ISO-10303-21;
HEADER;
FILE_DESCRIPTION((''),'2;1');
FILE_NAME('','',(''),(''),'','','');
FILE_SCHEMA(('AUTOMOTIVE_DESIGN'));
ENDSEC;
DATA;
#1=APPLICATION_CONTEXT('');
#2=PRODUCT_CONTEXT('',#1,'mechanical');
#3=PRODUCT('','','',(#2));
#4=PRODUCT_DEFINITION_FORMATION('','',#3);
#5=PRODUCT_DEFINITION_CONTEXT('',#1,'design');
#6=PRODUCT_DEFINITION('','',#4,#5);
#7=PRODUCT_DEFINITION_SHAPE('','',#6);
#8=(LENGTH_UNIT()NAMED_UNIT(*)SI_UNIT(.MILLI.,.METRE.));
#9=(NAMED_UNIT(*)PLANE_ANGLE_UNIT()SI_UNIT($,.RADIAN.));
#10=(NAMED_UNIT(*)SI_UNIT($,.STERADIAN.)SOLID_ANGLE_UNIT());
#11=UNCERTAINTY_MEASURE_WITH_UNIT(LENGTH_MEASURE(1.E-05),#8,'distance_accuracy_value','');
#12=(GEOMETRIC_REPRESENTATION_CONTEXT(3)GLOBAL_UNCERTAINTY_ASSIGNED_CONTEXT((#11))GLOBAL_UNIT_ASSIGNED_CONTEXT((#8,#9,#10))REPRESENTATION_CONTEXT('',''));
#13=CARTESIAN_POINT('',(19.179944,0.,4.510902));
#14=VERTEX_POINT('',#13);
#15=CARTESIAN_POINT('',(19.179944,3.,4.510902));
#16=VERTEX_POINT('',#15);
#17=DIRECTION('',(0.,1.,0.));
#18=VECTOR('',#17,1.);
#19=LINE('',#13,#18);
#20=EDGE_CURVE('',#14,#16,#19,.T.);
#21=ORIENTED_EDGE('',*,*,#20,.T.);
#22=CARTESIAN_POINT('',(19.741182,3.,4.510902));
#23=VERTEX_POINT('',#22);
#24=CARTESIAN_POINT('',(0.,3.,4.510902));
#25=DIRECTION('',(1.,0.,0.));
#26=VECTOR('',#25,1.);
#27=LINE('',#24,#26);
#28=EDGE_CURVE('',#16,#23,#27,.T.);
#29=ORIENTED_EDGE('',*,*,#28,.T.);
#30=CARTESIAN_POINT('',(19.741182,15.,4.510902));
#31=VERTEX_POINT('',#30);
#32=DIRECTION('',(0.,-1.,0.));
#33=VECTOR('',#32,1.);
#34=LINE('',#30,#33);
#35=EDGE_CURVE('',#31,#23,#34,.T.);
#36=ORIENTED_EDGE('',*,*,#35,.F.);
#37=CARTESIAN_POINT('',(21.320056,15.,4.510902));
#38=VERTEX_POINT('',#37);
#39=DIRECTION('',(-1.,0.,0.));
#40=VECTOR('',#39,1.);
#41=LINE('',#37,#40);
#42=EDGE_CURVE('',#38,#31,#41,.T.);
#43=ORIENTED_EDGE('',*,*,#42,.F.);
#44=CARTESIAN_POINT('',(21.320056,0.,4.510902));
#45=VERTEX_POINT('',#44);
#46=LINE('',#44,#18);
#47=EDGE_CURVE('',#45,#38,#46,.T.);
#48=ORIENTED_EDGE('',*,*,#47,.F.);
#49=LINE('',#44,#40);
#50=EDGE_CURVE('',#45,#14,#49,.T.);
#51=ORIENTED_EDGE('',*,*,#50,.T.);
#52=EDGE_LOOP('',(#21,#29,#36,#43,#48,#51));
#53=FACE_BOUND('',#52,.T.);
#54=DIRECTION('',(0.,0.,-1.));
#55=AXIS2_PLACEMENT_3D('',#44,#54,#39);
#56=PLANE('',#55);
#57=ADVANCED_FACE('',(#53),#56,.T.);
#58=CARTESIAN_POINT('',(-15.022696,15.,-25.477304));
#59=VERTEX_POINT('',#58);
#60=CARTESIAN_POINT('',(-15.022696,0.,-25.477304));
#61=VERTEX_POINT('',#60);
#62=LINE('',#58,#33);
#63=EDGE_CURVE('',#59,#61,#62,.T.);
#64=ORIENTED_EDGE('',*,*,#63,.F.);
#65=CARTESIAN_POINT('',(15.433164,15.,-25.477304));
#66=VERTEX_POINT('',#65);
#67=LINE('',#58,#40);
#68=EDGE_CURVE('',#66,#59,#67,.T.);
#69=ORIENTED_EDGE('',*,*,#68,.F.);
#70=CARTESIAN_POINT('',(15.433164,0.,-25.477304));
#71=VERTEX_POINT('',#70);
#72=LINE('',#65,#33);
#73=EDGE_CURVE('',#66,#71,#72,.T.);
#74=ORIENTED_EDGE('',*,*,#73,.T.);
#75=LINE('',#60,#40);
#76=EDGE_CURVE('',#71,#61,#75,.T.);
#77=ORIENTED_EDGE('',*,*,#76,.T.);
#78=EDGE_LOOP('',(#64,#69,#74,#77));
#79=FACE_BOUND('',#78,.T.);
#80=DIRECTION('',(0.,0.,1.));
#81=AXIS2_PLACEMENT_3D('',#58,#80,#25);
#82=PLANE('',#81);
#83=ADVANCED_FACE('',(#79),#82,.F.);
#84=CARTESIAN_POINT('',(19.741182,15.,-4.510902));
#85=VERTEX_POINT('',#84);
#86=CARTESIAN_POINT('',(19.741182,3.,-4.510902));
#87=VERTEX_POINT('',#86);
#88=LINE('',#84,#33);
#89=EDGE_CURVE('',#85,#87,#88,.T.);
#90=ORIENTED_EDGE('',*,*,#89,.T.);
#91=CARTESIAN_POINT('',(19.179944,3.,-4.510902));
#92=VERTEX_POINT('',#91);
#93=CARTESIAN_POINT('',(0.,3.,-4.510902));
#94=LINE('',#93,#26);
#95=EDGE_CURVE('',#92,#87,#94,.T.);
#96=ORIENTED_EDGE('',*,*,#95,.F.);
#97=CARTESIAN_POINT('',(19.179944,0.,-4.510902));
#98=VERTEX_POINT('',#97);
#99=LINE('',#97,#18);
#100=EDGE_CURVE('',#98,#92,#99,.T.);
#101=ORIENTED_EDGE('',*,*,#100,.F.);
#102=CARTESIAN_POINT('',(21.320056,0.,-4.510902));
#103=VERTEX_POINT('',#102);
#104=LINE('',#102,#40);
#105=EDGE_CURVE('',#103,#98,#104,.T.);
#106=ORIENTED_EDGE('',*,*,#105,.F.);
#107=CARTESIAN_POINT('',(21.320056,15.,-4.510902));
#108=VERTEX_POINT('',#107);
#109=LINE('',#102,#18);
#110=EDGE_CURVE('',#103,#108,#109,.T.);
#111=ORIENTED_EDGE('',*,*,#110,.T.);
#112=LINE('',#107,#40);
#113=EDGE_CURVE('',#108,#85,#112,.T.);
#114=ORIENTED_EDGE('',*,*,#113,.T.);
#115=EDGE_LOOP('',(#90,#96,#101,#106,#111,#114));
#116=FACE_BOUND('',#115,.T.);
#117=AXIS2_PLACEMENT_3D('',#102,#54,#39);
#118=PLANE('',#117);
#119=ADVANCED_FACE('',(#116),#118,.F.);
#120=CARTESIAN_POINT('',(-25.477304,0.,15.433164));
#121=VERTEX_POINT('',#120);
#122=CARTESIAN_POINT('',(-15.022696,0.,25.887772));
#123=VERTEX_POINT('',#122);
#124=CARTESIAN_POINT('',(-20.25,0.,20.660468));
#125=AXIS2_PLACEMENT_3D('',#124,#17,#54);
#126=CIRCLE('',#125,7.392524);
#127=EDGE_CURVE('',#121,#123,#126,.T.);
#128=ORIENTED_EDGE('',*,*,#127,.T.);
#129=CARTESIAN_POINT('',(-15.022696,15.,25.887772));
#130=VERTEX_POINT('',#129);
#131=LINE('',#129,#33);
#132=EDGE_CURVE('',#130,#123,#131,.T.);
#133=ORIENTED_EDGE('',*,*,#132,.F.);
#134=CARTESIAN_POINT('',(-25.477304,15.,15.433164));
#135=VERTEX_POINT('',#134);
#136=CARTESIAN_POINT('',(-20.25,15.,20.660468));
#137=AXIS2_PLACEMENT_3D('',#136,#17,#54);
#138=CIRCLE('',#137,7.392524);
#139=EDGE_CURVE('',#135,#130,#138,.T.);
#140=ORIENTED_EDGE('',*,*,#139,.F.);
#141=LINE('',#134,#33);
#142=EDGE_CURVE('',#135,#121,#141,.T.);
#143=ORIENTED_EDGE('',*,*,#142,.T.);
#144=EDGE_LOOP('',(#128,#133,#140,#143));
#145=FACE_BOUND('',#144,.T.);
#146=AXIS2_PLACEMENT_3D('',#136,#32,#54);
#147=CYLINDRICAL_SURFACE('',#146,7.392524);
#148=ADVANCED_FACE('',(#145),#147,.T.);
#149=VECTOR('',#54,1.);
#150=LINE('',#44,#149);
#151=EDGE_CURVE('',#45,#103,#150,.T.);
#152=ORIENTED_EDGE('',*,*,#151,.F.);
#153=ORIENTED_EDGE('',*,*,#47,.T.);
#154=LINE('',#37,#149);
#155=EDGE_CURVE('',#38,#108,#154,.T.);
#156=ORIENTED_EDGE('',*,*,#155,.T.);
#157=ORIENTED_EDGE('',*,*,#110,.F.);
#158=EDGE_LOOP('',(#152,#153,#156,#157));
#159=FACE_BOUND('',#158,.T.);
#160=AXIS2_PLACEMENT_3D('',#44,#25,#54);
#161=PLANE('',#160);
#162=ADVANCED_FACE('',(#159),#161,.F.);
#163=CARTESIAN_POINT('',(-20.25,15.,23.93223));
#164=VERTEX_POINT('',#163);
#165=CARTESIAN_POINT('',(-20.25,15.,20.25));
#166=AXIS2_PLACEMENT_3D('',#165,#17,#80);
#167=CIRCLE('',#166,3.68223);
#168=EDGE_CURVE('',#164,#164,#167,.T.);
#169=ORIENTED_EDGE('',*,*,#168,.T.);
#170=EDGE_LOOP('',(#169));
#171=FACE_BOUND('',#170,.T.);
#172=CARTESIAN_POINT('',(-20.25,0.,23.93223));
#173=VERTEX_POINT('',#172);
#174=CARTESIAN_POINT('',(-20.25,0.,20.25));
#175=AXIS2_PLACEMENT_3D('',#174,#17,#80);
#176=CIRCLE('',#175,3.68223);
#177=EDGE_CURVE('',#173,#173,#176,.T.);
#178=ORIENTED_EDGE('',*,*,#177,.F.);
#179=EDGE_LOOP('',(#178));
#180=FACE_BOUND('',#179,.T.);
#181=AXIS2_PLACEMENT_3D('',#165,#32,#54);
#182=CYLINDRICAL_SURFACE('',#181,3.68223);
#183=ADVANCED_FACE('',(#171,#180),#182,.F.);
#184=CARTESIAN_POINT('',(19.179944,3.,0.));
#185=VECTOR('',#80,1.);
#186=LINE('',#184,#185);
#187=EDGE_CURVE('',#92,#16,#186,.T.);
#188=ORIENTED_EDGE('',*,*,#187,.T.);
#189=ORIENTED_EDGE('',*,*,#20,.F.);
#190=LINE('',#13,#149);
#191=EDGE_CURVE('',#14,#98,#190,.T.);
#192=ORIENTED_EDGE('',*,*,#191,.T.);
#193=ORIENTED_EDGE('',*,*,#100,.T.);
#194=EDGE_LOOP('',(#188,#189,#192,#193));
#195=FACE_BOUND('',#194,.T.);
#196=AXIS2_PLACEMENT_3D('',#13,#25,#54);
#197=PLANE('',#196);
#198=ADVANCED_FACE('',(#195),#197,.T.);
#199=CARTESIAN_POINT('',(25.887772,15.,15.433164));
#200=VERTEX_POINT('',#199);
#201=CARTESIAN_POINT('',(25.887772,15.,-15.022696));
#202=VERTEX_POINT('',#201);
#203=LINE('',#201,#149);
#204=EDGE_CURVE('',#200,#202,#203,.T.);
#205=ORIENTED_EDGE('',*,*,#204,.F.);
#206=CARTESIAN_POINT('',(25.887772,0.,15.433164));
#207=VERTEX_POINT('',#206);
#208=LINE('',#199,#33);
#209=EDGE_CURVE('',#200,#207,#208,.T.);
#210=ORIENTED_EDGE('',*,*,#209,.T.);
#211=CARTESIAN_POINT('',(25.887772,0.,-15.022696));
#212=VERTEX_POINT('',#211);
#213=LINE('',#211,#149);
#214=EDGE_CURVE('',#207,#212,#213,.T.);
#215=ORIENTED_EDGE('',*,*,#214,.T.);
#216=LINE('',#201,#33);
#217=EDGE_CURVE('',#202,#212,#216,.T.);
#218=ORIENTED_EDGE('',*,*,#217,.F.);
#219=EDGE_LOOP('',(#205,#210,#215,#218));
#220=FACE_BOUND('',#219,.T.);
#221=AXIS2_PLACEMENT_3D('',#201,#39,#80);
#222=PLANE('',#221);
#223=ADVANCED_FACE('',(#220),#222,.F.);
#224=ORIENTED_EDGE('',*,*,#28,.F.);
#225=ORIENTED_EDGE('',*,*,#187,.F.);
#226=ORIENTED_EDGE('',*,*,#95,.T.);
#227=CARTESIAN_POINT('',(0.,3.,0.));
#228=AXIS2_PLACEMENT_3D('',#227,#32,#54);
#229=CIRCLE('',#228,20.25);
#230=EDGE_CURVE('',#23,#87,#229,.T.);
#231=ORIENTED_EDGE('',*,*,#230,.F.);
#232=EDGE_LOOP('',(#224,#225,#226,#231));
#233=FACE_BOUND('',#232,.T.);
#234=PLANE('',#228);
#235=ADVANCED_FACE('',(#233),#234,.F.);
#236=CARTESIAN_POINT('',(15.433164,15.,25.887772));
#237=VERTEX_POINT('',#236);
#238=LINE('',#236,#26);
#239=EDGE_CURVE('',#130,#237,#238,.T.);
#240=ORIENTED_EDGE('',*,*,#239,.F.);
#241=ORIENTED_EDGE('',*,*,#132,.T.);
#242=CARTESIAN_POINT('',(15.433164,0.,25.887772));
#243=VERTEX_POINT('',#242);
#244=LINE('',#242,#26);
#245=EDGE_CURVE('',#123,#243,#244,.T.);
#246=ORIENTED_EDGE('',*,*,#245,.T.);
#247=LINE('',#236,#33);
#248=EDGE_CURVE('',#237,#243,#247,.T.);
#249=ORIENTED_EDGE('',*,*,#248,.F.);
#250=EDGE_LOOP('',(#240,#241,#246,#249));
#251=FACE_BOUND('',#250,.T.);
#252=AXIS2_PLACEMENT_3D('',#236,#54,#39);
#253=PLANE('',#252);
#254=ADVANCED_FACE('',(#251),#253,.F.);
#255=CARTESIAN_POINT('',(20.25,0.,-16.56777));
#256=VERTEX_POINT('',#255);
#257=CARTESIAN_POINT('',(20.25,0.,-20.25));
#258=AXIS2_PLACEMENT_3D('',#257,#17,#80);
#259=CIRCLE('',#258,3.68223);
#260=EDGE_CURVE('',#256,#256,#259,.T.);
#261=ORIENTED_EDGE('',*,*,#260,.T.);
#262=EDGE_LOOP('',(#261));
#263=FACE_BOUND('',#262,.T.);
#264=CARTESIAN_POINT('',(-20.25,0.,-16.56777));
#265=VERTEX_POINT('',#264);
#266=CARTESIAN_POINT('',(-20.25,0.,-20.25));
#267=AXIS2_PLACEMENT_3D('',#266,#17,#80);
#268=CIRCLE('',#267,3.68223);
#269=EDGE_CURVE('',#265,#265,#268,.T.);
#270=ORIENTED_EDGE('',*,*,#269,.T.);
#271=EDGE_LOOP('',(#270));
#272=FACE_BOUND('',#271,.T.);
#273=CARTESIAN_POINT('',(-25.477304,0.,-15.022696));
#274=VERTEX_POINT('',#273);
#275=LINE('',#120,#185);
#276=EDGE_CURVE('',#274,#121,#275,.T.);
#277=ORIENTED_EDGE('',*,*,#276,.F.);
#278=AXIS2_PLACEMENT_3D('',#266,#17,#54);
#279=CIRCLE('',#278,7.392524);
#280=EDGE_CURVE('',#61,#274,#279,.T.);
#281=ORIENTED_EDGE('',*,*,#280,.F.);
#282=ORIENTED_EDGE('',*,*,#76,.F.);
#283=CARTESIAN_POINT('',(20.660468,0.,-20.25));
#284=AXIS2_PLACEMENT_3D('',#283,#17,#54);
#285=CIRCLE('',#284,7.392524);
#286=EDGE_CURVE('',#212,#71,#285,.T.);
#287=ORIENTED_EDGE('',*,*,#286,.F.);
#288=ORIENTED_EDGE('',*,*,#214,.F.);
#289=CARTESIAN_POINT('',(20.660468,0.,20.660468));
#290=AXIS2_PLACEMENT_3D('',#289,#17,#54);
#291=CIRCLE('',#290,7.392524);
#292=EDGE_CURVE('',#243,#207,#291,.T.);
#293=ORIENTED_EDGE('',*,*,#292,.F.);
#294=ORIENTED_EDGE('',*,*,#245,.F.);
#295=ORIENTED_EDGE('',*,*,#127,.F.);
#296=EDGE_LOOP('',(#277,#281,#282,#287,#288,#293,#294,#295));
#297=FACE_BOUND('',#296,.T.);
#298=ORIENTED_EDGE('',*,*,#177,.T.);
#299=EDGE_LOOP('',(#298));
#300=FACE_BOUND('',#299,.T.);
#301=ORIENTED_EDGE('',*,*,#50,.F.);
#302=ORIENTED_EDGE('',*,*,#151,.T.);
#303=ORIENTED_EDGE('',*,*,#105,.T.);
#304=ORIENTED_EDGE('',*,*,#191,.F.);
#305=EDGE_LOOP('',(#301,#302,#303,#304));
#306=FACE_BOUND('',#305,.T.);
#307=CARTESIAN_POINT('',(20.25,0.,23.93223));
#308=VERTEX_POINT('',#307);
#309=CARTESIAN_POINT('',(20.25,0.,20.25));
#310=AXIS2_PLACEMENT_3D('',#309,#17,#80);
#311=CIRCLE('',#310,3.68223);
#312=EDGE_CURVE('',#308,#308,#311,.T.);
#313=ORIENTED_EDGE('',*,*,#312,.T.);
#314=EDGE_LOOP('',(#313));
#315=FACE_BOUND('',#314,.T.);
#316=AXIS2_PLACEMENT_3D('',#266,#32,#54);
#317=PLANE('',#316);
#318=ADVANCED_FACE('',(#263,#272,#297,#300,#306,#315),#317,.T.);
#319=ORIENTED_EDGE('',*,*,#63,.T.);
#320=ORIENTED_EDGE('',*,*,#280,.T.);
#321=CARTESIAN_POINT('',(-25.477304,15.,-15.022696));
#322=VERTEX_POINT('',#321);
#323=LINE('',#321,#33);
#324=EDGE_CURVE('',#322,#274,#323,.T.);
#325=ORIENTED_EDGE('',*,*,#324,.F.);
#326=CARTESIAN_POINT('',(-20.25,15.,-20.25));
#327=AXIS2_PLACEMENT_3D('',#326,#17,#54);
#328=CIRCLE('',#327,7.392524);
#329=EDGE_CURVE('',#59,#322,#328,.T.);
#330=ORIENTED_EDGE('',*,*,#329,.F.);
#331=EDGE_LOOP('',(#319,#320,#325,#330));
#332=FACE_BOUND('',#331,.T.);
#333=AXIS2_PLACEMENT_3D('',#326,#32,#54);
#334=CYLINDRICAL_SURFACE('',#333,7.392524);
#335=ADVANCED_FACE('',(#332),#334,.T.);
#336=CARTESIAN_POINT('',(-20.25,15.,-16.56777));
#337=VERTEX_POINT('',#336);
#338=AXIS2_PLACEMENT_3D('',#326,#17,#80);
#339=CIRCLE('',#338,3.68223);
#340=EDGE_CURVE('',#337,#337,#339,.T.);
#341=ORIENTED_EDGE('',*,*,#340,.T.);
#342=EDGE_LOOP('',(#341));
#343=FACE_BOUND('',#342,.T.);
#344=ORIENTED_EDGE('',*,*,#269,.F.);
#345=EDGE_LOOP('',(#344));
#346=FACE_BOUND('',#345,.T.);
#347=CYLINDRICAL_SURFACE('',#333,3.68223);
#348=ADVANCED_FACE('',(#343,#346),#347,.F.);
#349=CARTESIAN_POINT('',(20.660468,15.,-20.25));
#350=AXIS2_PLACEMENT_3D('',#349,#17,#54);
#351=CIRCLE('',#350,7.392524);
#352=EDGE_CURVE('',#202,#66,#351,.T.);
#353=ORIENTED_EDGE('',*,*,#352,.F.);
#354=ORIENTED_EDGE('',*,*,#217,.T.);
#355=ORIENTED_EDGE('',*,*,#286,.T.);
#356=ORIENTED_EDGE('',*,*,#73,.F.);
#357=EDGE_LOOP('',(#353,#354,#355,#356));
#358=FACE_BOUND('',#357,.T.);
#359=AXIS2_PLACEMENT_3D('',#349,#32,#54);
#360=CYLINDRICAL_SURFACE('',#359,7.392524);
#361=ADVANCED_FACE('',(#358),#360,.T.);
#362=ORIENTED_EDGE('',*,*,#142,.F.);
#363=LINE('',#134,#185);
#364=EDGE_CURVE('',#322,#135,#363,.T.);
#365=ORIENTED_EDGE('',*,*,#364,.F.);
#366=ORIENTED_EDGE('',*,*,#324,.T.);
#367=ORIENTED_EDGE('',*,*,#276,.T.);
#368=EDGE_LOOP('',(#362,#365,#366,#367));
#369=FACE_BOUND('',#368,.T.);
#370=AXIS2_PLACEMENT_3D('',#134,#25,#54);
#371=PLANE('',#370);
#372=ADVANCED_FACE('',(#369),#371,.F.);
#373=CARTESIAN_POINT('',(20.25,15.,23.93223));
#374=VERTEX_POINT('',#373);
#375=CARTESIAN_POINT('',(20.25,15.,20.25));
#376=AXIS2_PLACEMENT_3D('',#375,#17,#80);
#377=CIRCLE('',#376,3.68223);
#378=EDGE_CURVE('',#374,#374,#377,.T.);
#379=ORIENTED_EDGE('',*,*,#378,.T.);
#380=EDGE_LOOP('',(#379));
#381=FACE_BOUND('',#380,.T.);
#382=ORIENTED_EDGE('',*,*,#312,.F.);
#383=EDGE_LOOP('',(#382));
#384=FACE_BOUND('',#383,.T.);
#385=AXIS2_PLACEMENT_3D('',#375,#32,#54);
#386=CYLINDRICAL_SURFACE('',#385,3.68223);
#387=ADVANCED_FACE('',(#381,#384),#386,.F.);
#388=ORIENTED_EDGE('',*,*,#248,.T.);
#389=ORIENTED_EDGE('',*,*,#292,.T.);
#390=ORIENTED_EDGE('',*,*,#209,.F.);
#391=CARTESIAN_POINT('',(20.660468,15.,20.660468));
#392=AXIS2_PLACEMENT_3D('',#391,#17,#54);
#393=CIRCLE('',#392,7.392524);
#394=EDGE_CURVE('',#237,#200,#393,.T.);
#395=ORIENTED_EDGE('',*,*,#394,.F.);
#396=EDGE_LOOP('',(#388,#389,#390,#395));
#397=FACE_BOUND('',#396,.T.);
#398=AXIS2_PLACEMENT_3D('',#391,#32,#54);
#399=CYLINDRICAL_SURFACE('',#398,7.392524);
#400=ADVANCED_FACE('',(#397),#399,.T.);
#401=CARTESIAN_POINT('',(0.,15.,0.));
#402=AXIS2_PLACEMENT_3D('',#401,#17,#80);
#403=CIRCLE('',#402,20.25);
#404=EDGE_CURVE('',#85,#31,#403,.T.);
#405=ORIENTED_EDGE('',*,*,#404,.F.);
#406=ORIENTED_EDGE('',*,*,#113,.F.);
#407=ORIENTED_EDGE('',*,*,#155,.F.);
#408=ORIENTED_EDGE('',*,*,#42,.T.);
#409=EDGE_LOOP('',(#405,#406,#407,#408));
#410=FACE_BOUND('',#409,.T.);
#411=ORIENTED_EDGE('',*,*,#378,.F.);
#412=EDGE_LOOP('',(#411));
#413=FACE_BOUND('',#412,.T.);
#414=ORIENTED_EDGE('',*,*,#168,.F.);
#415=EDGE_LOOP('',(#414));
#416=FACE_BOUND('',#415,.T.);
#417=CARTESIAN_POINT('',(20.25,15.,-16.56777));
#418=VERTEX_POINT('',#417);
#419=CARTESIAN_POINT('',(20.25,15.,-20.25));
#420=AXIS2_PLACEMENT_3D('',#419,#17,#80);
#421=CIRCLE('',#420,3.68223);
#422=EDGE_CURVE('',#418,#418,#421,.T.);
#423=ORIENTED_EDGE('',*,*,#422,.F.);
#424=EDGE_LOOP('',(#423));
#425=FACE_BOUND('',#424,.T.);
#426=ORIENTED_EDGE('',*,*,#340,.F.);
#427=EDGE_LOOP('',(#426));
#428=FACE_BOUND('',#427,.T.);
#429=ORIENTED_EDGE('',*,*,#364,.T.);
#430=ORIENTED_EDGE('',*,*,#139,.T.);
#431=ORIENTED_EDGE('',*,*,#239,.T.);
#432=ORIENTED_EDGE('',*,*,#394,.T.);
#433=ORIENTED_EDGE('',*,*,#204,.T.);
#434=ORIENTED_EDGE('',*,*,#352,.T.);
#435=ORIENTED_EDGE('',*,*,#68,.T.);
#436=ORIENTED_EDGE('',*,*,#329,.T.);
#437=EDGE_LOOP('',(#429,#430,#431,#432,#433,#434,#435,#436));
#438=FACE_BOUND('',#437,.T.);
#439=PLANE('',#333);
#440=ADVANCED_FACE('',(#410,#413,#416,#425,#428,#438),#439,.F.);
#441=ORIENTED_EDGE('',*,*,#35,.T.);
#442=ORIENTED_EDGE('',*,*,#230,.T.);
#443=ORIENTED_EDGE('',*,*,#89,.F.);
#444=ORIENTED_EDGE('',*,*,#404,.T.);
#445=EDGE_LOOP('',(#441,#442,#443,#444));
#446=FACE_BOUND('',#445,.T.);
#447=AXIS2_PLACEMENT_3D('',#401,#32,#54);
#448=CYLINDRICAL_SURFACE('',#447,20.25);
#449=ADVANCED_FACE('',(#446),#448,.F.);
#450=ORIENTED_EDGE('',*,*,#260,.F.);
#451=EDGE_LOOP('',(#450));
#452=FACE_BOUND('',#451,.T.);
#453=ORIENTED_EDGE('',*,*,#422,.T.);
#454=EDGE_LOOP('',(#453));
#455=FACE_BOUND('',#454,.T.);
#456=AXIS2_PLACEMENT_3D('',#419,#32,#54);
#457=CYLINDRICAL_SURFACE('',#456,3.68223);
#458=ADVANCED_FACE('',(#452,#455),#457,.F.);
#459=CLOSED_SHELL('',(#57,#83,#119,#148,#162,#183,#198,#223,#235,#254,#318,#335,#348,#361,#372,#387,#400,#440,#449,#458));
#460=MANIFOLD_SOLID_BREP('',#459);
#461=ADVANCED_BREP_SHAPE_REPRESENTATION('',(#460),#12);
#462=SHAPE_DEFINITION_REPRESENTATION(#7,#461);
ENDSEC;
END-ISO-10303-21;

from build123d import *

# Parameters (mm, degrees)
SKETCH1_R               = 20.25
SKETCH1_R_2             = 3.682229715
BOSS_EXTRUDE1_DEPTH     = 15
SKETCH2_R               = 20.25
BOSS_EXTRUDE2_DEPTH     = 3
SKETCH3_W               = 2.140111698
SKETCH3_H               = 9.021804968
CUT_EXTRUDE1_DEPTH      = 13
CUT_EXTRUDE1_DEPTH_BACK = 4


with BuildPart() as part:
    # Sketch1 → Boss-Extrude1 (new body)
    with BuildSketch(Plane(origin=(0, 0, 0), x_dir=(1, 0, 0), z_dir=(0, 1, 0))):
        with BuildLine():
            Line((-25.477303851, -15.433164228), (-25.477303851, 15.022696149))
            ThreePointArc((-25.477303851, 15.022696149), (-25.477303851, 25.477303851), (-15.022696149, 25.477303851))
            Line((-15.022696149, 25.477303851), (15.433164228, 25.477303851))
            ThreePointArc((15.433164228, 25.477303851), (25.887771929, 25.477303851), (25.887771929, 15.022696149))
            Line((25.887771929, 15.022696149), (25.887771929, -15.433164228))
            ThreePointArc((25.887771929, -15.433164228), (25.887771929, -25.887771929), (15.433164228, -25.887771929))
            Line((15.433164228, -25.887771929), (-15.022696149, -25.887771929))
            ThreePointArc((-15.022696149, -25.887771929), (-25.477303851, -25.887771929), (-25.477303851, -15.433164228))
        make_face()
        Circle(SKETCH1_R, mode=Mode.SUBTRACT)
        with Locations((-20.25, 20.25)):
            Circle(SKETCH1_R_2, mode=Mode.SUBTRACT)
        with Locations((20.25, 20.25)):
            Circle(SKETCH1_R_2, mode=Mode.SUBTRACT)
        with Locations((20.25, -20.25)):
            Circle(SKETCH1_R_2, mode=Mode.SUBTRACT)
        with Locations((-20.25, -20.25)):
            Circle(SKETCH1_R_2, mode=Mode.SUBTRACT)
    extrude(amount=BOSS_EXTRUDE1_DEPTH)

    # Sketch2 → Boss-Extrude2 (add)
    with BuildSketch(Plane.XZ):
        Circle(SKETCH2_R)
    extrude(amount=-BOSS_EXTRUDE2_DEPTH)

    # Sketch3 → Cut-Extrude1 (cut, two sides)
    with BuildSketch(Plane(origin=(0, 3, 0), x_dir=(1, 0, 0), z_dir=(0, 1, 0))) as cut_extrude1_sk:
        with Locations((20.25, 0)):
            Rectangle(SKETCH3_W, SKETCH3_H)
    extrude(amount=CUT_EXTRUDE1_DEPTH, mode=Mode.SUBTRACT)
    extrude(cut_extrude1_sk.sketch, amount=-CUT_EXTRUDE1_DEPTH_BACK, mode=Mode.SUBTRACT)


solid = part.part
